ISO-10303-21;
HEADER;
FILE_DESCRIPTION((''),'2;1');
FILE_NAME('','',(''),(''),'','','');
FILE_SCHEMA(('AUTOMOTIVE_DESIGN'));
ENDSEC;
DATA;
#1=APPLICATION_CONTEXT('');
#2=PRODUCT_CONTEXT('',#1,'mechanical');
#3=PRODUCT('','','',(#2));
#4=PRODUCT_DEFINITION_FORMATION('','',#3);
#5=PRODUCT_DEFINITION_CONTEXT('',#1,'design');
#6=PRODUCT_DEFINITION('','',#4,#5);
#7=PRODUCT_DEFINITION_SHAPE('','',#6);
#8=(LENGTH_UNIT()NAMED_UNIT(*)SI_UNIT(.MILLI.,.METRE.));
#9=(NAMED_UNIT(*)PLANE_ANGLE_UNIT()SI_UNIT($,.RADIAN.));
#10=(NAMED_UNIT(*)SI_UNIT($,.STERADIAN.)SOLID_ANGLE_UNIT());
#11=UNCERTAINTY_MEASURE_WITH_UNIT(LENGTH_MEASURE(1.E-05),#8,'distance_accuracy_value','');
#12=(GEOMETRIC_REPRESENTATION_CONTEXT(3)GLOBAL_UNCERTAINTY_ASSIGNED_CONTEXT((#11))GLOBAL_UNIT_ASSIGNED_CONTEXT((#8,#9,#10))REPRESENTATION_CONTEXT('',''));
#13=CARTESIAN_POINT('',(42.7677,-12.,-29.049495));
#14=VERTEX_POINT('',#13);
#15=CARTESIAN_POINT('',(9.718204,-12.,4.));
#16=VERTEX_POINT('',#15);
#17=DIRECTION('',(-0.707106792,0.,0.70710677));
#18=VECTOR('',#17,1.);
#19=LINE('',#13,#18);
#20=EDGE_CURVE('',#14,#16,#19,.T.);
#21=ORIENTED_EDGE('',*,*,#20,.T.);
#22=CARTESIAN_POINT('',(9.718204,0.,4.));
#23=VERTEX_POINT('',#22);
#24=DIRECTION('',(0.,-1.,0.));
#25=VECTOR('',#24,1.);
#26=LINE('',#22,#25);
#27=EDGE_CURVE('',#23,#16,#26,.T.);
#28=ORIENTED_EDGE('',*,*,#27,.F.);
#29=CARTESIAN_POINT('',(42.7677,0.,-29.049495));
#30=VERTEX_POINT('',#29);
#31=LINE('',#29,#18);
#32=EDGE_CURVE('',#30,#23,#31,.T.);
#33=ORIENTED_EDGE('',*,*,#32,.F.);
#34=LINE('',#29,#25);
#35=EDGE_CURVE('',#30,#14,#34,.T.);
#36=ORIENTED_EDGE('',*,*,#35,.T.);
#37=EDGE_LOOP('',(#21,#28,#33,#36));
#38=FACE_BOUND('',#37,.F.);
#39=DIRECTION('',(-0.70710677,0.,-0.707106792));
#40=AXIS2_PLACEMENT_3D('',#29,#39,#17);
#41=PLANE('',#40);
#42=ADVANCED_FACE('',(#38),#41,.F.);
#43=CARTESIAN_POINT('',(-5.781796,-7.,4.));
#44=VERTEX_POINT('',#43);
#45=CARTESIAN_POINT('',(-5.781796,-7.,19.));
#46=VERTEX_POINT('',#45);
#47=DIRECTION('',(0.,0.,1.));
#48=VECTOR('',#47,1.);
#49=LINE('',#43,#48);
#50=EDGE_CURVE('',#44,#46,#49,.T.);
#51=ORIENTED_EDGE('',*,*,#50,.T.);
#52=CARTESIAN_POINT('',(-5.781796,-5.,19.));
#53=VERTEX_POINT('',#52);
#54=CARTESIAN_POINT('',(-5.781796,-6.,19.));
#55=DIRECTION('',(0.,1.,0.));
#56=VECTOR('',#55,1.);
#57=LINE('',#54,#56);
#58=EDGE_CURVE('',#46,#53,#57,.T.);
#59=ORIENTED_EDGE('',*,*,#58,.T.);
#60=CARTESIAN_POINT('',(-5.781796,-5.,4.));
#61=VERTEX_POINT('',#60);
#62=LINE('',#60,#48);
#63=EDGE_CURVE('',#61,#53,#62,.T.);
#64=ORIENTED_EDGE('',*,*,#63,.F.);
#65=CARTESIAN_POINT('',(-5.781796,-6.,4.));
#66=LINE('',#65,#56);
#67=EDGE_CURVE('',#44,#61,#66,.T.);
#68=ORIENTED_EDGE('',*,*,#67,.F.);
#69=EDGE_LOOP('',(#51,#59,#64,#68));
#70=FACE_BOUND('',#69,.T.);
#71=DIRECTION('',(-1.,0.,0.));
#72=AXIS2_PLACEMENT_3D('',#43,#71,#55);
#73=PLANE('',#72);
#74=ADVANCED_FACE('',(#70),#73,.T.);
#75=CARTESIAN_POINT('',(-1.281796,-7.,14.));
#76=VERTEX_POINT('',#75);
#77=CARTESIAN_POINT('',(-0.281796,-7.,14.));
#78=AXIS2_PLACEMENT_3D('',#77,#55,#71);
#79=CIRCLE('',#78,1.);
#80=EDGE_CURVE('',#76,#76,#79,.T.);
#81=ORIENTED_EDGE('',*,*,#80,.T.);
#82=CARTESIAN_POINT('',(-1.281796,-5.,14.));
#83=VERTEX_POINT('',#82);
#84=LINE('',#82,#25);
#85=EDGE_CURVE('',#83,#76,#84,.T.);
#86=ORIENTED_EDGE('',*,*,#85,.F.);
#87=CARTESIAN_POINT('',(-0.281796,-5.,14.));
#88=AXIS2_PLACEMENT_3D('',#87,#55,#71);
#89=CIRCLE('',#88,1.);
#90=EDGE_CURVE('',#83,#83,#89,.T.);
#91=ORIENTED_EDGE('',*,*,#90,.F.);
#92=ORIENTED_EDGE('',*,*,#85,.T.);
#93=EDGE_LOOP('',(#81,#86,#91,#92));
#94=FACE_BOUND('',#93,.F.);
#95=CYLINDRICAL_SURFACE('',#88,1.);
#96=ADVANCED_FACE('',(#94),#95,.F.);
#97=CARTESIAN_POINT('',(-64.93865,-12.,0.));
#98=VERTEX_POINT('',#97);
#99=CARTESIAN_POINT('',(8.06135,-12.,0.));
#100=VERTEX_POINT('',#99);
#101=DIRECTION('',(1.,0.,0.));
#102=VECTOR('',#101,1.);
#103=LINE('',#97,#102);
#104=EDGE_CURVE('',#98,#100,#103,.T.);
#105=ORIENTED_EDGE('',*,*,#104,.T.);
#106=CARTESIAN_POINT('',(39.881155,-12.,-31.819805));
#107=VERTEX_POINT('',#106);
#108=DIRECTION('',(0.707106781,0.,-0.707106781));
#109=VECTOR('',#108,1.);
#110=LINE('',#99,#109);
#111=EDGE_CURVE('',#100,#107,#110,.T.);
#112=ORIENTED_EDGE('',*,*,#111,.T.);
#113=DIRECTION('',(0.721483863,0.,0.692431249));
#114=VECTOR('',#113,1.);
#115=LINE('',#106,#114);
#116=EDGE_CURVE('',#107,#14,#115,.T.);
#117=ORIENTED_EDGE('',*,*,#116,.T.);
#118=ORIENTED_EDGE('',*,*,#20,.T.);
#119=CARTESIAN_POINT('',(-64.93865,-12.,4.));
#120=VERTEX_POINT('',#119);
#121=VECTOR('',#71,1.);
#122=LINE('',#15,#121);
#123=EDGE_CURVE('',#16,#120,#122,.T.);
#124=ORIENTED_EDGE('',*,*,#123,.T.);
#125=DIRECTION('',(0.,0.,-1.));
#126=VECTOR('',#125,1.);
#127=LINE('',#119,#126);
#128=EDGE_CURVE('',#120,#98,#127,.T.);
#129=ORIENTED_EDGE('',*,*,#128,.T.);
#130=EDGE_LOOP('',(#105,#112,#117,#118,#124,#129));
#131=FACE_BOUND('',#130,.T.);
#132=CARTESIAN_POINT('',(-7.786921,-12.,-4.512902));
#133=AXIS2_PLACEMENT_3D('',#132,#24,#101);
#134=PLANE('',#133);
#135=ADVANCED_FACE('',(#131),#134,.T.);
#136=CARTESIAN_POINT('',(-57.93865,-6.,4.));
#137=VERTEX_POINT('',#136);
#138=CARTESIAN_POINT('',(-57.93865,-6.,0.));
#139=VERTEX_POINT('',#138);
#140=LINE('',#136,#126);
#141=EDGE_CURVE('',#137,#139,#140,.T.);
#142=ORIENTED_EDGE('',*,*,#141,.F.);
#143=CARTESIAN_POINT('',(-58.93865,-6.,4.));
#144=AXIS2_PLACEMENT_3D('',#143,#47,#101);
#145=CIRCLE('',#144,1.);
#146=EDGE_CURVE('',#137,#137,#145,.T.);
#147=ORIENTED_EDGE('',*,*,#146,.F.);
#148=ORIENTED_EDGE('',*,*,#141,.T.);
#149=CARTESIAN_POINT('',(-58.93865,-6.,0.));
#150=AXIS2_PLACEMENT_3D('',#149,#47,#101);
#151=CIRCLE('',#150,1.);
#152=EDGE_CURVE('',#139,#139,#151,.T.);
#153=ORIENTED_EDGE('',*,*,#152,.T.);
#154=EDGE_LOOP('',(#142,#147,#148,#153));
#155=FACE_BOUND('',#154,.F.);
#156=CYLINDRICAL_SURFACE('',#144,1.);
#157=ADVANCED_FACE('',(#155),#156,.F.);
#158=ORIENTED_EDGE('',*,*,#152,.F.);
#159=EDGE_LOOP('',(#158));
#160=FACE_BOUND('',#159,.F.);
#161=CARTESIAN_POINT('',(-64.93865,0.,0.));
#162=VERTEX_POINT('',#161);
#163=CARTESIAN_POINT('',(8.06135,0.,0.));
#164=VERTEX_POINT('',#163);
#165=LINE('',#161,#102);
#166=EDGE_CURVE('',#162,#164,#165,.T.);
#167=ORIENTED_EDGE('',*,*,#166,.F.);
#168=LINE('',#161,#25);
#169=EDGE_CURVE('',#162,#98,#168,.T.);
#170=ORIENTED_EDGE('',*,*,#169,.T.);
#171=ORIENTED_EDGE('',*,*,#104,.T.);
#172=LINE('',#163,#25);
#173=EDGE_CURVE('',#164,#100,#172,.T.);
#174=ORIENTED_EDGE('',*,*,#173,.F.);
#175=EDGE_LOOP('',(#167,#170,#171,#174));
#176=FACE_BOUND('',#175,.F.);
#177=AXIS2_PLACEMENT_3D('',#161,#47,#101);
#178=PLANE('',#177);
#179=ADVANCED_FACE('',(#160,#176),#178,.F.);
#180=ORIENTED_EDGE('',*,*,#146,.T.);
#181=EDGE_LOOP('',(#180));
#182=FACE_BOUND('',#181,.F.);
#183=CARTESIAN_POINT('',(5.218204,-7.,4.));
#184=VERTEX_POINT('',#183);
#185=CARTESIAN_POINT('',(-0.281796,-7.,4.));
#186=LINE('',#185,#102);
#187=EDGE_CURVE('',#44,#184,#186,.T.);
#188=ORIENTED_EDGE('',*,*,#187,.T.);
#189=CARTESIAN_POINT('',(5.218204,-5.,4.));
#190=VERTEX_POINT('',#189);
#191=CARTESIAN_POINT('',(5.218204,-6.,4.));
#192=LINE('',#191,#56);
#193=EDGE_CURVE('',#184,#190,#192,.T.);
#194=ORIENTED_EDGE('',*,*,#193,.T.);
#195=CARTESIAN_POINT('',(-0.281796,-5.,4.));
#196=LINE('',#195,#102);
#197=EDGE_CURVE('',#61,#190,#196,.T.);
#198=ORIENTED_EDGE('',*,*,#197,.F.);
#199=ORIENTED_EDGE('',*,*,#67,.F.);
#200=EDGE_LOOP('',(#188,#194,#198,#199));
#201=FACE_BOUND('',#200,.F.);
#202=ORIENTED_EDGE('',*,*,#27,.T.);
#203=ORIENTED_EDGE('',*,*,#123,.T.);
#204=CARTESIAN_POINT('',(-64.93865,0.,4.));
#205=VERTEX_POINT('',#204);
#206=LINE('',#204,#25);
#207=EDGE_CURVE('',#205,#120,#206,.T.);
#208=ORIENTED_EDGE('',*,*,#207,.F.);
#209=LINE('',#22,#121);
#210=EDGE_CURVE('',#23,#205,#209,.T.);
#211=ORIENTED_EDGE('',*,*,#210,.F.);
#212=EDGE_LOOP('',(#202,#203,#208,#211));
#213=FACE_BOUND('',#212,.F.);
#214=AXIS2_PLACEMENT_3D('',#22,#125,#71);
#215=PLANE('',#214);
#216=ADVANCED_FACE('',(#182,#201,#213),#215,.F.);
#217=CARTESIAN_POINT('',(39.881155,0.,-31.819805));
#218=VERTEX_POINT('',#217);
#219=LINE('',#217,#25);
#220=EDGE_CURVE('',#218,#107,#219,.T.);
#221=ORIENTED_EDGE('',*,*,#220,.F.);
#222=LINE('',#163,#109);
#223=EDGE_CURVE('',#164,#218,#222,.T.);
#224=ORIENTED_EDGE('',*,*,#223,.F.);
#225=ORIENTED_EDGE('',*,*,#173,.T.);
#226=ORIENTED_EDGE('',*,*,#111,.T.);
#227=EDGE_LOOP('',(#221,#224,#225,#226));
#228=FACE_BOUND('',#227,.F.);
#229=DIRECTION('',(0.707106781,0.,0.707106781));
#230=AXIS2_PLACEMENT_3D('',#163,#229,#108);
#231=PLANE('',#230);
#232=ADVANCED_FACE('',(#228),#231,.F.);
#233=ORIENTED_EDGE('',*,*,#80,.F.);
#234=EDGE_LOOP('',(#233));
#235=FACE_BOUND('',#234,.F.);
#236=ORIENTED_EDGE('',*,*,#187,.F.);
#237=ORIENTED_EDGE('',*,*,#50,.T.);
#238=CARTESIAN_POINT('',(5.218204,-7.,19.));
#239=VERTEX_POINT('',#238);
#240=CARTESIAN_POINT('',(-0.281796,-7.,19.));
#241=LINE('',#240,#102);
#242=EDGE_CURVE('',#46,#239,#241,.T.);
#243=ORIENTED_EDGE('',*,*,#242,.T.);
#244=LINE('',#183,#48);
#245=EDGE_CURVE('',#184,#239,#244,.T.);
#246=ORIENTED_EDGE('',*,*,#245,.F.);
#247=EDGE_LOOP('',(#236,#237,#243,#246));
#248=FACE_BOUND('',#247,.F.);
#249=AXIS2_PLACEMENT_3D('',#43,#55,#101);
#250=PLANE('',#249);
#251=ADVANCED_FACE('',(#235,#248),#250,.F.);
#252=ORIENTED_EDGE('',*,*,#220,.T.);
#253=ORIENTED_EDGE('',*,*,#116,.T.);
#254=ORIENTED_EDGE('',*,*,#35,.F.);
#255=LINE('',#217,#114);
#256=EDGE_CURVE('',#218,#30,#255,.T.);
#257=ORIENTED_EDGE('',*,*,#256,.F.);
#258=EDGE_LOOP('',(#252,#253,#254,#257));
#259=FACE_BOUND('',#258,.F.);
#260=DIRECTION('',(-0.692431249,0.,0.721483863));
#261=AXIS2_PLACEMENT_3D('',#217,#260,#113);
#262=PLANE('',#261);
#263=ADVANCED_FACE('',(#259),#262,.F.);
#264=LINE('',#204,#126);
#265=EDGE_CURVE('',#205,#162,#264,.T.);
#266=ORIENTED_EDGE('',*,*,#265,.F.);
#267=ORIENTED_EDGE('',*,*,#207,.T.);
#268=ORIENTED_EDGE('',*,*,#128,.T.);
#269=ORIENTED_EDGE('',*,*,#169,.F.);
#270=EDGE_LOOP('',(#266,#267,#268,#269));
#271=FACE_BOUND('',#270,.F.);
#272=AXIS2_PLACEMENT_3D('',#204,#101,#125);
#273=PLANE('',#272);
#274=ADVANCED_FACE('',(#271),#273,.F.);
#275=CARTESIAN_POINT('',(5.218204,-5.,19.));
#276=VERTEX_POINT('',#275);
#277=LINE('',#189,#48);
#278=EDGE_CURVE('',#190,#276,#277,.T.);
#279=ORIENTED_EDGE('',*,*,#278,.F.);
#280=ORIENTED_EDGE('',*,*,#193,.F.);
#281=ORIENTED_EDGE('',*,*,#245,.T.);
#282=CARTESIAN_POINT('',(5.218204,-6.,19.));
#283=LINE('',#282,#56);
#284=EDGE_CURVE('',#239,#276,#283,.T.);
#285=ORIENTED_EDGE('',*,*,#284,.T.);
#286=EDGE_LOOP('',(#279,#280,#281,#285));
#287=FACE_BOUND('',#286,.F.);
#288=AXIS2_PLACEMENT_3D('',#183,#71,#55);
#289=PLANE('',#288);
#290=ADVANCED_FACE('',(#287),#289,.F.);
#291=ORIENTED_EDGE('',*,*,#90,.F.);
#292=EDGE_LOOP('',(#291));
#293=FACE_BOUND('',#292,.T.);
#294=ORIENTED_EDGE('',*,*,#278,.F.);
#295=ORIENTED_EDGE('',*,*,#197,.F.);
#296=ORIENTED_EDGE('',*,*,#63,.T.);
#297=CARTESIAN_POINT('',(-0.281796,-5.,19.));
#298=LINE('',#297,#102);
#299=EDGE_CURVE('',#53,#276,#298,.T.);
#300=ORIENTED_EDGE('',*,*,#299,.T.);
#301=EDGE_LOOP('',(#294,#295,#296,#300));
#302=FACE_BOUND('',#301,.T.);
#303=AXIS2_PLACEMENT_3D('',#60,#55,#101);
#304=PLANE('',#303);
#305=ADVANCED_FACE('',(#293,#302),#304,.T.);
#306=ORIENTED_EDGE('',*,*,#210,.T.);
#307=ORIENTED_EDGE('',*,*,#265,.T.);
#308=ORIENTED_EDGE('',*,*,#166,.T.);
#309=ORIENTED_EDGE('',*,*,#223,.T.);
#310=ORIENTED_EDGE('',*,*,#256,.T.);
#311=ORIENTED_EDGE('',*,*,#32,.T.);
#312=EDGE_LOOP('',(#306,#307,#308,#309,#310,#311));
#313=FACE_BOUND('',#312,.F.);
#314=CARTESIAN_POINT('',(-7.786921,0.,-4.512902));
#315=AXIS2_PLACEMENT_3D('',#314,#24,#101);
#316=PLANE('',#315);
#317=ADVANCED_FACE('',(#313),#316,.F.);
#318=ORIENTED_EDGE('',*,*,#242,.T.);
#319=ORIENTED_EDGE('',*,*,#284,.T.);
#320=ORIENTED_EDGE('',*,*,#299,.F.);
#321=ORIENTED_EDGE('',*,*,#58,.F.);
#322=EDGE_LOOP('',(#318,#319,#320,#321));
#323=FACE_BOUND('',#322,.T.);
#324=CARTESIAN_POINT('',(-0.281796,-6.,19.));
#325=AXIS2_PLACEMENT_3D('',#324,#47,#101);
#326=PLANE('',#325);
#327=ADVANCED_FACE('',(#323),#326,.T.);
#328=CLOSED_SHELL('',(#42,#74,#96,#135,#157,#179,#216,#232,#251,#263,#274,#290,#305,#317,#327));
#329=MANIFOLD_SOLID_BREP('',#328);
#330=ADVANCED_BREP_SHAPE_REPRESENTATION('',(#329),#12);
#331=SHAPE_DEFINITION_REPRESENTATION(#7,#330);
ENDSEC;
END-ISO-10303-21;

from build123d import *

# Parameters (mm, degrees)
F1_DEPTH = 12
F2_W     = 11
F2_H     = 2
F3_DEPTH = 15
F4_R     = 1
F5_DEPTH = 7.001
F6_R     = 1
F7_DEPTH = 35.820805


with BuildPart() as f1:
    # F0 (on Front) → F1 (new body)
    with BuildSketch(Plane.XZ):
        Polygon((-64.93865, 4), (-64.93865, 0), (8.06135, 0), (39.881155, -31.819805), (42.7677, -29.049495), (9.718204, 4), align=None)
    extrude(amount=F1_DEPTH)

    # F2 (on face) → F3 (join)
    with BuildSketch(Plane.XY.offset(4)):
        with Locations((-0.281796, -6)):
            Rectangle(F2_W, F2_H)
    extrude(amount=F3_DEPTH)

    # F4 (on face) → F5 (cut, through all)
    with BuildSketch(Plane(origin=(0, -5, 0), x_dir=(-1, 0, 0), z_dir=(0, 1, 0))):
        with Locations((0.281796, 14)):
            Circle(F4_R)
    extrude(amount=-F5_DEPTH, mode=Mode.SUBTRACT)

    # F6 (on face) → F7 (cut, through all)
    with BuildSketch(Plane.XY.offset(4)):
        with Locations((-58.93865, -6)):
            Circle(F6_R)
    extrude(amount=-F7_DEPTH, mode=Mode.SUBTRACT)


solid = f1.part
